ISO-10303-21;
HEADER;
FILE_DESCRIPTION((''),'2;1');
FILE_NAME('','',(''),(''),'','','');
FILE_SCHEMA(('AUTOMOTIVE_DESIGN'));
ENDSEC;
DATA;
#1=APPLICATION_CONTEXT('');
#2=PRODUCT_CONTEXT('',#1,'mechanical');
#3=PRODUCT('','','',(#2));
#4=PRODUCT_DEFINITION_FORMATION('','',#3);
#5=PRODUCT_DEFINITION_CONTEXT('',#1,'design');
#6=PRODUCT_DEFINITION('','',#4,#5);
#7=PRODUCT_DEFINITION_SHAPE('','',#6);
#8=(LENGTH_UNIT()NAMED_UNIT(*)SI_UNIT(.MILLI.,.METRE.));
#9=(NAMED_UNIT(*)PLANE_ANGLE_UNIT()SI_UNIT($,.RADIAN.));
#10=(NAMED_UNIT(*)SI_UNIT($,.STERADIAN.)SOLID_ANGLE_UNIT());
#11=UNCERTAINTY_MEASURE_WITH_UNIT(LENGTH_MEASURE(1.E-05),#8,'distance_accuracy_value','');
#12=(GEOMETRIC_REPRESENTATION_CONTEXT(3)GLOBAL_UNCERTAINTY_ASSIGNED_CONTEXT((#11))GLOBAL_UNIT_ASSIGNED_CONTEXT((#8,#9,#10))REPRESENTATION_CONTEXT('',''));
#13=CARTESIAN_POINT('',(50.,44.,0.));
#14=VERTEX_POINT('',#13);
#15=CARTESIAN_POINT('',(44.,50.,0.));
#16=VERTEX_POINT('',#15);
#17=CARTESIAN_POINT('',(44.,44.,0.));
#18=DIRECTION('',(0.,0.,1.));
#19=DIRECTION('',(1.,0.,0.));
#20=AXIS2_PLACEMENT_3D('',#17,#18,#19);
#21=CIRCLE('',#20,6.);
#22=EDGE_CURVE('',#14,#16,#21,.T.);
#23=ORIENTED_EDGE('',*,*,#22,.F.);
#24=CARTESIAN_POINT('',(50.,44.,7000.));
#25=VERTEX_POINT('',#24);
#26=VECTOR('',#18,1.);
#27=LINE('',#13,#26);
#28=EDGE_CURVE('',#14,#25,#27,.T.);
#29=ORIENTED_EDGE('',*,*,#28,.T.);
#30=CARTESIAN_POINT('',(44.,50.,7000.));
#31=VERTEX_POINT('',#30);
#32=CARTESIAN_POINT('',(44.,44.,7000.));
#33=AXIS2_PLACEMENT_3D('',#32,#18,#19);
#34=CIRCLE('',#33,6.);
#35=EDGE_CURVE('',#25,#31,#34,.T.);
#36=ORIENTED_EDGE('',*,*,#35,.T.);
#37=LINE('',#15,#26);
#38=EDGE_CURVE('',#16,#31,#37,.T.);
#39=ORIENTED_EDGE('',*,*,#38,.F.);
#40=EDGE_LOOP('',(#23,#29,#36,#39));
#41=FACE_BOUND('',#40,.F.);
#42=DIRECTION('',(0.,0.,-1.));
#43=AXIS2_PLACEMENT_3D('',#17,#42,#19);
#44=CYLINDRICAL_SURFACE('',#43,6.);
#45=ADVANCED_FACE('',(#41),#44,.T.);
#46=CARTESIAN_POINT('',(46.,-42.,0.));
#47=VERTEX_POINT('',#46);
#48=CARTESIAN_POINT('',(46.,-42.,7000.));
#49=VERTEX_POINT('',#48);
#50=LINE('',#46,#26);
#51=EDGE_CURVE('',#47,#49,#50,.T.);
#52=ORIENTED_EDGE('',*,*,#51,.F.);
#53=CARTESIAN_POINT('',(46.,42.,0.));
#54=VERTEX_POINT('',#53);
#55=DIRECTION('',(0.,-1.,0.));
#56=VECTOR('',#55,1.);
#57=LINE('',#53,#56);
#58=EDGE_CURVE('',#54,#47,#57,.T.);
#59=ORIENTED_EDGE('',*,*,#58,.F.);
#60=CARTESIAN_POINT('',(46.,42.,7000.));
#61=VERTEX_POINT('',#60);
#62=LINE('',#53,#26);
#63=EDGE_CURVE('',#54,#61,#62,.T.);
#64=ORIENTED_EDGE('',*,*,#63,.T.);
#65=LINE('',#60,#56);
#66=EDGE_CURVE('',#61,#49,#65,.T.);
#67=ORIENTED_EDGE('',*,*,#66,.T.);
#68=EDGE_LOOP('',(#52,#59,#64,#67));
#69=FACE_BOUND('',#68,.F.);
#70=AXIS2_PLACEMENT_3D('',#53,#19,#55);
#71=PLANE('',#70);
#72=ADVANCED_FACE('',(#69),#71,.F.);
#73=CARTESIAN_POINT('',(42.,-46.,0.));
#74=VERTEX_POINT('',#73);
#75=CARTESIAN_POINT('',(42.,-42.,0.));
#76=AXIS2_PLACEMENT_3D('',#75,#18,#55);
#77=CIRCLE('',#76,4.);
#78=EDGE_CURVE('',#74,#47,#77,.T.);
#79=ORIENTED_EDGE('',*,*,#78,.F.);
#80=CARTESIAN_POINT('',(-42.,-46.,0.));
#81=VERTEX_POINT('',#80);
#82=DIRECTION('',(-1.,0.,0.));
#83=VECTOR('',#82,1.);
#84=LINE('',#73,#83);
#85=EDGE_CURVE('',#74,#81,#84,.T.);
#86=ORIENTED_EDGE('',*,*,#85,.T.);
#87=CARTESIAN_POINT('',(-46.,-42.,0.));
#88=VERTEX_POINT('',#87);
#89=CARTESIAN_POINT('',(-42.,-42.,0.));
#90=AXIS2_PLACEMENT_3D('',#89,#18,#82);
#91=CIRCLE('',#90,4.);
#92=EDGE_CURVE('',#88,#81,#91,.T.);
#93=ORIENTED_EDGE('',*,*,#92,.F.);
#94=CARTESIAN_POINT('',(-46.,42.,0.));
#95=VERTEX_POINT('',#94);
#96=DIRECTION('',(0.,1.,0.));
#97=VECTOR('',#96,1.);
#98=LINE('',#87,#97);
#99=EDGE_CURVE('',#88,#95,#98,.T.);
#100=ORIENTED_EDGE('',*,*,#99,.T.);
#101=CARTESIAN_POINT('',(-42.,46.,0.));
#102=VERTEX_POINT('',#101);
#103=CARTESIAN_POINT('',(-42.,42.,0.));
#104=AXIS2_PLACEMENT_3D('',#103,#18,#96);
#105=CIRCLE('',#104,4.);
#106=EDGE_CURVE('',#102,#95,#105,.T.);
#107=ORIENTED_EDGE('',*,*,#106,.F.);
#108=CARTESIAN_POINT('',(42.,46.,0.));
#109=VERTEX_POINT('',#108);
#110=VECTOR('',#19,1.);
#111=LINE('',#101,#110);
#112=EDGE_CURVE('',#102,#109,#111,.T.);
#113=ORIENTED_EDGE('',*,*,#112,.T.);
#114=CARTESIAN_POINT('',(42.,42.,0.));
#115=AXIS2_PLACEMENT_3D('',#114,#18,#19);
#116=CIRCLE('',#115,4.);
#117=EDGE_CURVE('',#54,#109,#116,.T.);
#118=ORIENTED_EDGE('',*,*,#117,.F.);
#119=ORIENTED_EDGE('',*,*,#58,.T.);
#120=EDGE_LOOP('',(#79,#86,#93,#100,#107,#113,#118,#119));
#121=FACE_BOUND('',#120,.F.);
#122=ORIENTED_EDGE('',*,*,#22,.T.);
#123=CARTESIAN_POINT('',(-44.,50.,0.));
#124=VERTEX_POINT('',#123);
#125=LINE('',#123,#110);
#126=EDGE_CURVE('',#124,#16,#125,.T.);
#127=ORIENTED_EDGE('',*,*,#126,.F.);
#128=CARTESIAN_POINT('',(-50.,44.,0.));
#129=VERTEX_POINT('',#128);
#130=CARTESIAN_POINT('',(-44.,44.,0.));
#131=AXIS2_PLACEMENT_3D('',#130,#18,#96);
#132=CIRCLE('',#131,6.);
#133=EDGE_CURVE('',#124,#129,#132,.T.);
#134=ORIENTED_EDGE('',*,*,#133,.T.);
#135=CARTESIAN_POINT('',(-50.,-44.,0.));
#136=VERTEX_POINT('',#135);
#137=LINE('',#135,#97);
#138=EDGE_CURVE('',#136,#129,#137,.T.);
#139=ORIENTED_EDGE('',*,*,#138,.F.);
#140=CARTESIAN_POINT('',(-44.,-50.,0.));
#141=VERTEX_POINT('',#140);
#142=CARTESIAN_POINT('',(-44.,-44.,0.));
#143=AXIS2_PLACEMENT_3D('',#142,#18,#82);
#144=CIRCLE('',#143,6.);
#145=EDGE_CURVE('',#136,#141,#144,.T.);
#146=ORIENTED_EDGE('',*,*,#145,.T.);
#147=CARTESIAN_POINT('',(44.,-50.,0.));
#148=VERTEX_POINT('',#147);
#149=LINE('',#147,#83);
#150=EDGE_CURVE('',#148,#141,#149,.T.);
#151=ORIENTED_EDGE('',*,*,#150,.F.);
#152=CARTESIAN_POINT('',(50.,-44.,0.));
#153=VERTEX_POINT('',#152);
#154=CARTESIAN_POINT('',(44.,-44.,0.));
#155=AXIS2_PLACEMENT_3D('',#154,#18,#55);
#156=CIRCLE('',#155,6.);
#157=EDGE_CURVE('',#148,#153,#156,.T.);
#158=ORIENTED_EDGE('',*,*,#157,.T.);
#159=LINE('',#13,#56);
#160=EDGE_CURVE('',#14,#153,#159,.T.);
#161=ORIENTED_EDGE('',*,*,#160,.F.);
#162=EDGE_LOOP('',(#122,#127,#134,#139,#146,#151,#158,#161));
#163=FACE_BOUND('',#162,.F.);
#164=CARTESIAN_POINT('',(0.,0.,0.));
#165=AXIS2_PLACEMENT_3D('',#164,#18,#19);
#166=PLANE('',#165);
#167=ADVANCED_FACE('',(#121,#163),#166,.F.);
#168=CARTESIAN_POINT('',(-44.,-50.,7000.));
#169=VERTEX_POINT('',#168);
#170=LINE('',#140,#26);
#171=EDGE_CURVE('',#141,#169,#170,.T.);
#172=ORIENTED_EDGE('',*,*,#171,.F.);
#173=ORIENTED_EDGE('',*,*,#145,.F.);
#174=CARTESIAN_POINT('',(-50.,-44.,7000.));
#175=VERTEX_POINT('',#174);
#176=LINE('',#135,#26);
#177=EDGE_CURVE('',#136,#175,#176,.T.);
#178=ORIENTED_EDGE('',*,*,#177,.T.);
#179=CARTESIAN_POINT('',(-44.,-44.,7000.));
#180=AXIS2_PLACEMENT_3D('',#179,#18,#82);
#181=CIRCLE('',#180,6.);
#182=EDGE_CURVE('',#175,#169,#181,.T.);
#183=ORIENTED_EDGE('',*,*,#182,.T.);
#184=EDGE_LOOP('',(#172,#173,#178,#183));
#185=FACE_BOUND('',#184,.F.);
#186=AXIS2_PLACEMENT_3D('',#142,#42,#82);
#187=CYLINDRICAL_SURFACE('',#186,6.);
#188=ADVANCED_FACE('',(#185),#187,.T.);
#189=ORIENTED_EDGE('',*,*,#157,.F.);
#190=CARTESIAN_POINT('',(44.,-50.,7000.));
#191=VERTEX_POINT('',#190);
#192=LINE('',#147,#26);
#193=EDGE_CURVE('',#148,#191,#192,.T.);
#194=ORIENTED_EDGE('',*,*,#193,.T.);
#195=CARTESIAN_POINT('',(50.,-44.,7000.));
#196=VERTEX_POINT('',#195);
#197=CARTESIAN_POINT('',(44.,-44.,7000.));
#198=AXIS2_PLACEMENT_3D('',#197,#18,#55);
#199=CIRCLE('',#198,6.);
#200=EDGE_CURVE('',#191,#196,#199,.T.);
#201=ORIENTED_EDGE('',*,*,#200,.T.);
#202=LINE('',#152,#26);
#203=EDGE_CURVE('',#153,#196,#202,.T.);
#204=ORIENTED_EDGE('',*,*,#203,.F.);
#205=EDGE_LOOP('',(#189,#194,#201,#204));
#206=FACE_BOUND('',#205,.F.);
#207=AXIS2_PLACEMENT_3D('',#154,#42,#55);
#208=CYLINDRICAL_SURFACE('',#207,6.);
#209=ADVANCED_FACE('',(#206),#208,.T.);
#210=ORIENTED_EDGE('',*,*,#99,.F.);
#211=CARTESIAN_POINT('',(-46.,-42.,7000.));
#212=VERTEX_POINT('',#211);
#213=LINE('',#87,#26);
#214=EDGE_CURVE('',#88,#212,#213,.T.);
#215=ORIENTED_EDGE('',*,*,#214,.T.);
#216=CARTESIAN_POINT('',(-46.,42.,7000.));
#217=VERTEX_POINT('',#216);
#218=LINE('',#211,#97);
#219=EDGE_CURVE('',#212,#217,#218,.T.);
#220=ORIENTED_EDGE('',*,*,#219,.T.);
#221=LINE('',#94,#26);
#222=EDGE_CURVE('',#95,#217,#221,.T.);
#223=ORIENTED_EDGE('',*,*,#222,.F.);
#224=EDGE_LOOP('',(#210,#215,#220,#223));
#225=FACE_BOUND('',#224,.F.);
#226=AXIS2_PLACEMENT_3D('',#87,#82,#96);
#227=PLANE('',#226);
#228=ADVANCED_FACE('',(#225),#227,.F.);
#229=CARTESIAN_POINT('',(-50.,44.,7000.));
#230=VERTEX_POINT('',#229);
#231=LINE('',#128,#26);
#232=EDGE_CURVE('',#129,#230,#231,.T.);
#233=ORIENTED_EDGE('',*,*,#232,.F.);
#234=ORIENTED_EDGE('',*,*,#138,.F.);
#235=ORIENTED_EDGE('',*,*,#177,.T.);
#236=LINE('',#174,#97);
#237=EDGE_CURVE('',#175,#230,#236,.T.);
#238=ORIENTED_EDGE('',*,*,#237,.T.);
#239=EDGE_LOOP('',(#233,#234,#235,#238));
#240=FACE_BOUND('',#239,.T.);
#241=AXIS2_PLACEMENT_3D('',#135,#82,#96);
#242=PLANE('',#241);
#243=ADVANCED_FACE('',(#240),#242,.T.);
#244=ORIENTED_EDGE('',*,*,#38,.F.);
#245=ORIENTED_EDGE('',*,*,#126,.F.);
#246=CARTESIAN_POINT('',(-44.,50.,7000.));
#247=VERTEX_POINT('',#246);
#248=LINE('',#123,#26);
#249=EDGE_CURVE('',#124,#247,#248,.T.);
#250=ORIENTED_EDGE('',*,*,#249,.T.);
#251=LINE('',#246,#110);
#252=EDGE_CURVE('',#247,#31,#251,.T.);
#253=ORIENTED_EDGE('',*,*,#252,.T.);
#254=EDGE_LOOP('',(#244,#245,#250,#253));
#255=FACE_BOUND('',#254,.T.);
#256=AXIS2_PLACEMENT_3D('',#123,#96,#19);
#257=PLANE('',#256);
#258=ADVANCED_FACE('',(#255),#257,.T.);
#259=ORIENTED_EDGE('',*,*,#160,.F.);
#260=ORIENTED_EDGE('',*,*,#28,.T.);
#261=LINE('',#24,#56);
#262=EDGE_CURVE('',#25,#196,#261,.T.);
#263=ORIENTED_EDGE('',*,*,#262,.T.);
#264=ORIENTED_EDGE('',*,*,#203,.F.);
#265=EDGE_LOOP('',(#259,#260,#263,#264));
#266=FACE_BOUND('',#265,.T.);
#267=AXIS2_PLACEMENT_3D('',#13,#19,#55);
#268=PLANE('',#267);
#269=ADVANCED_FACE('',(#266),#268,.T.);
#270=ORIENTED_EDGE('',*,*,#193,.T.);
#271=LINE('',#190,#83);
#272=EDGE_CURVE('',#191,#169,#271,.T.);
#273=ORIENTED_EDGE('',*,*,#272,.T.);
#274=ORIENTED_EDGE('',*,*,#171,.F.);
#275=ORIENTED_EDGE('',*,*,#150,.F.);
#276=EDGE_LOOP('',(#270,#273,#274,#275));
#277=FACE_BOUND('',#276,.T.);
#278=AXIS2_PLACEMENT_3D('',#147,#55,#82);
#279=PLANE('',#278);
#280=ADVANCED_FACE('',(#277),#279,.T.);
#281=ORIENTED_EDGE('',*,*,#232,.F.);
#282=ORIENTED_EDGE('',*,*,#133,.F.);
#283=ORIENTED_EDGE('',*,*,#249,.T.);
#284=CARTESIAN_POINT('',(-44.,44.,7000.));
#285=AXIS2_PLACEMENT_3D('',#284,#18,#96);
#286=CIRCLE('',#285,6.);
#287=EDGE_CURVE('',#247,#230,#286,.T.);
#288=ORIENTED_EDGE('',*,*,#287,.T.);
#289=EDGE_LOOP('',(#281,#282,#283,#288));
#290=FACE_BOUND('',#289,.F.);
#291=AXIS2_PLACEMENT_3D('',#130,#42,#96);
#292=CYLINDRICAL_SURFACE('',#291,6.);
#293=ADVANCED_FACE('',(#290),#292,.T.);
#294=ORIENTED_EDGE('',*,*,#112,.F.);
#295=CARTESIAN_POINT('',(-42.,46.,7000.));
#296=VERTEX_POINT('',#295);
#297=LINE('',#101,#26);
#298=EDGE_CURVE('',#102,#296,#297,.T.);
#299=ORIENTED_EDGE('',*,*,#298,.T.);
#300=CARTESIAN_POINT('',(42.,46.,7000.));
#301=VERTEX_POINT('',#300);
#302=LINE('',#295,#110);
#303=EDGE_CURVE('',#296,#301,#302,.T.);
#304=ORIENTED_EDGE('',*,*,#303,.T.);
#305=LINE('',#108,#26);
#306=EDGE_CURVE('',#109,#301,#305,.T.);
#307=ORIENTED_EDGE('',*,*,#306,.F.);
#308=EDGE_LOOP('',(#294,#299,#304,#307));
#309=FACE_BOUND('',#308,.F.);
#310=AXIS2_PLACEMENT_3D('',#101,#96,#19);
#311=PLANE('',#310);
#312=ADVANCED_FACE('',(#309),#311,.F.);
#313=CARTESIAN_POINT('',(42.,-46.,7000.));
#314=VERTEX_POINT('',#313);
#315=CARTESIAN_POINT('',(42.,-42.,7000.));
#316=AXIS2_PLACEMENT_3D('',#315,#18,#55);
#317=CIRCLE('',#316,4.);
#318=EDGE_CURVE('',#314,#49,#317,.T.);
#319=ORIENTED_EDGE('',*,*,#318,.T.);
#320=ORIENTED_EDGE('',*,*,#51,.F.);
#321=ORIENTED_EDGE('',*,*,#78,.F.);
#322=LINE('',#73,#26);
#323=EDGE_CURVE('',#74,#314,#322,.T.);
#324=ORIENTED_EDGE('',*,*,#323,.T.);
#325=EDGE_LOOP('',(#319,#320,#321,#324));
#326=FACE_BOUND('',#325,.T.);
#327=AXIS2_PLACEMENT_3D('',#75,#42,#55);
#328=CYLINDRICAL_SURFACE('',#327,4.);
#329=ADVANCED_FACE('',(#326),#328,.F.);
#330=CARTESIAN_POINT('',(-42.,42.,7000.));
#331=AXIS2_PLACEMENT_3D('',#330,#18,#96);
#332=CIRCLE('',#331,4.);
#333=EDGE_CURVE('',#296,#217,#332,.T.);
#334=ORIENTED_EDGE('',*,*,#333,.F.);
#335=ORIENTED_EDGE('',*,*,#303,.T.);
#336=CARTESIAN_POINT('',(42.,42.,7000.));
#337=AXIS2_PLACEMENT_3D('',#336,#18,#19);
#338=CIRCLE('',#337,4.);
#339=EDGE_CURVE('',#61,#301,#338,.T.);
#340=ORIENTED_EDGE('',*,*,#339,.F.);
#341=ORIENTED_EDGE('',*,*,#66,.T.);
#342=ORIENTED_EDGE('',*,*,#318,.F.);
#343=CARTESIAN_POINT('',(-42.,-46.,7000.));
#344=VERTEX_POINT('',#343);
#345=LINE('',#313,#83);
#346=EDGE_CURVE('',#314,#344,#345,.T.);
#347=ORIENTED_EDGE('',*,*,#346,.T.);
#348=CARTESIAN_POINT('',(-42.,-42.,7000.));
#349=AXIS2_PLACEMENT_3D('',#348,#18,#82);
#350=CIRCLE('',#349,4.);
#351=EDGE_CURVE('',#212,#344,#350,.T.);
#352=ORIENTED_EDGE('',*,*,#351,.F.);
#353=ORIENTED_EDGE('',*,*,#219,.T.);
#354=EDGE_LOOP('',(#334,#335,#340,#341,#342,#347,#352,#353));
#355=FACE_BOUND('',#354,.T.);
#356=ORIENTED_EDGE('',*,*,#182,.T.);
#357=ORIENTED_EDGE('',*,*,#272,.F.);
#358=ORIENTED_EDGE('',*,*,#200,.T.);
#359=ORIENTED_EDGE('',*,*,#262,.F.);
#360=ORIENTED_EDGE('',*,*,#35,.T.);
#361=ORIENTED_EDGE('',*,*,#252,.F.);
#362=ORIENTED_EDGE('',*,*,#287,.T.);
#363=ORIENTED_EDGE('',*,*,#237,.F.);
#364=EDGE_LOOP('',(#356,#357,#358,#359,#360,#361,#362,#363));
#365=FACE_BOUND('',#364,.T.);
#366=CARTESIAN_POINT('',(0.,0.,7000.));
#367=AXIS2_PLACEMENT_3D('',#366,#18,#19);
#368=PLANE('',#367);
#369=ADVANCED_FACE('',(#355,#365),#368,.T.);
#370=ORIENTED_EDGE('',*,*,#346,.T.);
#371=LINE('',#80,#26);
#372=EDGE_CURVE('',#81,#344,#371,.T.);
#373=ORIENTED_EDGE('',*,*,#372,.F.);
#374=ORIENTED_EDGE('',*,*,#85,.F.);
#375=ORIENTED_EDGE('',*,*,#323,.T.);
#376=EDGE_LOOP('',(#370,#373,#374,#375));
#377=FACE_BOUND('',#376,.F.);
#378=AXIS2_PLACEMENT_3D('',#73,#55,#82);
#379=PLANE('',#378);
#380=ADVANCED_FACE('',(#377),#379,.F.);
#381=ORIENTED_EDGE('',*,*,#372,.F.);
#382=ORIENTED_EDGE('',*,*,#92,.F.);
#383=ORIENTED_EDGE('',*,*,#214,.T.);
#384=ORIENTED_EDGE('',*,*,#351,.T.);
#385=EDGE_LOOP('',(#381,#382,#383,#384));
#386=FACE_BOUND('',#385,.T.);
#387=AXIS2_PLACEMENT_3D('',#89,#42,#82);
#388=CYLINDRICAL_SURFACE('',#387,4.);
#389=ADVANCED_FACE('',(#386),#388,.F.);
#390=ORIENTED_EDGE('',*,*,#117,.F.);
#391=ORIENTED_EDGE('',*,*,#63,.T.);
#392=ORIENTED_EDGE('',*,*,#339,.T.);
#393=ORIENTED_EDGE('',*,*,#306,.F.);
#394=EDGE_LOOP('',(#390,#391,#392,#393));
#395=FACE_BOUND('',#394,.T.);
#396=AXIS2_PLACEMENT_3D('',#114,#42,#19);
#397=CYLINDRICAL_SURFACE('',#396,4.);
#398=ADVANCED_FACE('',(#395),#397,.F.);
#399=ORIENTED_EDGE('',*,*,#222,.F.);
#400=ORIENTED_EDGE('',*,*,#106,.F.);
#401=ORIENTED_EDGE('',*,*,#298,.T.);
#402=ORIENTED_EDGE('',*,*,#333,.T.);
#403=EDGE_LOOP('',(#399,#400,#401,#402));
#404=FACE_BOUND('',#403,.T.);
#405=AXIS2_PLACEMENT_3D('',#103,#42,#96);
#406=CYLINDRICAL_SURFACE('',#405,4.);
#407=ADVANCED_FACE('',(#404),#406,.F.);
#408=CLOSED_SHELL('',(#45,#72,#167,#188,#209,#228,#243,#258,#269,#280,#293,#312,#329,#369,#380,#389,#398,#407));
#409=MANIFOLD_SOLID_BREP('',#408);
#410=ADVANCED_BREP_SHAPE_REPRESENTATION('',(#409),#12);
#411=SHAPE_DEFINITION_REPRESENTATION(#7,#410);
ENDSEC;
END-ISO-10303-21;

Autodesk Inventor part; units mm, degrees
ref_plane "YZ Plane" through (0, 0, 0) normal (1, 0, 0) x (0, 1, 0)
ref_plane "Start plane" through (0, 0, 0) normal (0, 0, 1) x (1, 0, 0)
ref_plane "End plane" through (0, 0, 7000) normal (0, 0, 1) x (1, 0, 0)
sketch "Sketch" plane through (0, 0, 0) normal (0, 0, 1) x (1, 0, 0)
  line L0 (-50, -44) -> (-50, 44)
  line L1 (-44, 50) -> (44, 50)
  line L2 (50, 44) -> (50, -44)
  line L3 (44, -50) -> (-44, -50)
  arc A0 (-50, -44) -> (-44, -50) centre (-44, -44) ccw
  arc A1 (-44, 50) -> (-50, 44) centre (-44, 44) ccw
  arc A2 (50, 44) -> (44, 50) centre (44, 44) ccw
  arc A3 (44, -50) -> (50, -44) centre (44, -44) ccw
  line L4 (-42, 46) -> (42, 46)
  line L5 (46, 42) -> (46, -42)
  line L6 (42, -46) -> (-42, -46)
  line L7 (-46, -42) -> (-46, 42)
  line L8 (0, 71.7397) -> (0, -71.7397) construction
  line L9 (-71.7397, 0) -> (71.7397, 0) construction
  arc A4 (-46, -42) -> (-42, -46) centre (-42, -42) ccw
  arc A5 (-42, 46) -> (-46, 42) centre (-42, 42) ccw
  arc A6 (46, 42) -> (42, 46) centre (42, 42) ccw
  arc A7 (42, -46) -> (46, -42) centre (42, -42) ccw
  dimension "d7" = 6
  dimension "d10" = 100
  dimension "d11" = 100
  dimension "d12" = 4
  dimension "d15" = 50
  dimension "d16" = 50
  dimension "d19" = 4
  dimension "d20" = 4
extrude "Body" add sketch "Sketch" along normal up to surface (7000 mm away) from surface at 0
sketch "Sketch3" plane through (0, 0, 0) normal (0, 0, 1) x (1, 0, 0)
  line L0 (0, 0) -> (10, 0)
ref_plane "Work Plane3" through (0, 0, 0) normal (0, -1, 0) x (1, 0, 0)
sketch "Sketch4" plane through (0, 0, 0) normal (0, -1, 0) x (1, 0, 0)
  line L0 (-2, 0) -> (12, 0) projected
  line L1 (-2, 7000) -> (12, 7000) projected
  dimension "d18" = 7000
equation "\"d7\" = G_IR"
equation "\"d10\" = G_H"
equation "\"d11\" = G_W"
equation "\"d12\" = G_T"
equation "\"d15\" = 0.5 * d10"
equation "\"d16\" = 0.5 * d11"
equation "\"d19\" = G_T"
equation "\"d20\" = G_T"
equation "\"d3\" = G_L"
equation "\"G_W\" = 100"
equation "\"G_H\" = 100"
equation "\"G_T\" = 4"
equation "\"G_IR\" = 6"
equation "\"G_L\" = d18"
equation "\"G_OFFSET_START\" = 0"
equation "\"G_OFFSET_END\" = 0"
properties part number "DIN EN 10210-2 - 100 x 100 x 4 - 7000" material "Steel, Mild"
